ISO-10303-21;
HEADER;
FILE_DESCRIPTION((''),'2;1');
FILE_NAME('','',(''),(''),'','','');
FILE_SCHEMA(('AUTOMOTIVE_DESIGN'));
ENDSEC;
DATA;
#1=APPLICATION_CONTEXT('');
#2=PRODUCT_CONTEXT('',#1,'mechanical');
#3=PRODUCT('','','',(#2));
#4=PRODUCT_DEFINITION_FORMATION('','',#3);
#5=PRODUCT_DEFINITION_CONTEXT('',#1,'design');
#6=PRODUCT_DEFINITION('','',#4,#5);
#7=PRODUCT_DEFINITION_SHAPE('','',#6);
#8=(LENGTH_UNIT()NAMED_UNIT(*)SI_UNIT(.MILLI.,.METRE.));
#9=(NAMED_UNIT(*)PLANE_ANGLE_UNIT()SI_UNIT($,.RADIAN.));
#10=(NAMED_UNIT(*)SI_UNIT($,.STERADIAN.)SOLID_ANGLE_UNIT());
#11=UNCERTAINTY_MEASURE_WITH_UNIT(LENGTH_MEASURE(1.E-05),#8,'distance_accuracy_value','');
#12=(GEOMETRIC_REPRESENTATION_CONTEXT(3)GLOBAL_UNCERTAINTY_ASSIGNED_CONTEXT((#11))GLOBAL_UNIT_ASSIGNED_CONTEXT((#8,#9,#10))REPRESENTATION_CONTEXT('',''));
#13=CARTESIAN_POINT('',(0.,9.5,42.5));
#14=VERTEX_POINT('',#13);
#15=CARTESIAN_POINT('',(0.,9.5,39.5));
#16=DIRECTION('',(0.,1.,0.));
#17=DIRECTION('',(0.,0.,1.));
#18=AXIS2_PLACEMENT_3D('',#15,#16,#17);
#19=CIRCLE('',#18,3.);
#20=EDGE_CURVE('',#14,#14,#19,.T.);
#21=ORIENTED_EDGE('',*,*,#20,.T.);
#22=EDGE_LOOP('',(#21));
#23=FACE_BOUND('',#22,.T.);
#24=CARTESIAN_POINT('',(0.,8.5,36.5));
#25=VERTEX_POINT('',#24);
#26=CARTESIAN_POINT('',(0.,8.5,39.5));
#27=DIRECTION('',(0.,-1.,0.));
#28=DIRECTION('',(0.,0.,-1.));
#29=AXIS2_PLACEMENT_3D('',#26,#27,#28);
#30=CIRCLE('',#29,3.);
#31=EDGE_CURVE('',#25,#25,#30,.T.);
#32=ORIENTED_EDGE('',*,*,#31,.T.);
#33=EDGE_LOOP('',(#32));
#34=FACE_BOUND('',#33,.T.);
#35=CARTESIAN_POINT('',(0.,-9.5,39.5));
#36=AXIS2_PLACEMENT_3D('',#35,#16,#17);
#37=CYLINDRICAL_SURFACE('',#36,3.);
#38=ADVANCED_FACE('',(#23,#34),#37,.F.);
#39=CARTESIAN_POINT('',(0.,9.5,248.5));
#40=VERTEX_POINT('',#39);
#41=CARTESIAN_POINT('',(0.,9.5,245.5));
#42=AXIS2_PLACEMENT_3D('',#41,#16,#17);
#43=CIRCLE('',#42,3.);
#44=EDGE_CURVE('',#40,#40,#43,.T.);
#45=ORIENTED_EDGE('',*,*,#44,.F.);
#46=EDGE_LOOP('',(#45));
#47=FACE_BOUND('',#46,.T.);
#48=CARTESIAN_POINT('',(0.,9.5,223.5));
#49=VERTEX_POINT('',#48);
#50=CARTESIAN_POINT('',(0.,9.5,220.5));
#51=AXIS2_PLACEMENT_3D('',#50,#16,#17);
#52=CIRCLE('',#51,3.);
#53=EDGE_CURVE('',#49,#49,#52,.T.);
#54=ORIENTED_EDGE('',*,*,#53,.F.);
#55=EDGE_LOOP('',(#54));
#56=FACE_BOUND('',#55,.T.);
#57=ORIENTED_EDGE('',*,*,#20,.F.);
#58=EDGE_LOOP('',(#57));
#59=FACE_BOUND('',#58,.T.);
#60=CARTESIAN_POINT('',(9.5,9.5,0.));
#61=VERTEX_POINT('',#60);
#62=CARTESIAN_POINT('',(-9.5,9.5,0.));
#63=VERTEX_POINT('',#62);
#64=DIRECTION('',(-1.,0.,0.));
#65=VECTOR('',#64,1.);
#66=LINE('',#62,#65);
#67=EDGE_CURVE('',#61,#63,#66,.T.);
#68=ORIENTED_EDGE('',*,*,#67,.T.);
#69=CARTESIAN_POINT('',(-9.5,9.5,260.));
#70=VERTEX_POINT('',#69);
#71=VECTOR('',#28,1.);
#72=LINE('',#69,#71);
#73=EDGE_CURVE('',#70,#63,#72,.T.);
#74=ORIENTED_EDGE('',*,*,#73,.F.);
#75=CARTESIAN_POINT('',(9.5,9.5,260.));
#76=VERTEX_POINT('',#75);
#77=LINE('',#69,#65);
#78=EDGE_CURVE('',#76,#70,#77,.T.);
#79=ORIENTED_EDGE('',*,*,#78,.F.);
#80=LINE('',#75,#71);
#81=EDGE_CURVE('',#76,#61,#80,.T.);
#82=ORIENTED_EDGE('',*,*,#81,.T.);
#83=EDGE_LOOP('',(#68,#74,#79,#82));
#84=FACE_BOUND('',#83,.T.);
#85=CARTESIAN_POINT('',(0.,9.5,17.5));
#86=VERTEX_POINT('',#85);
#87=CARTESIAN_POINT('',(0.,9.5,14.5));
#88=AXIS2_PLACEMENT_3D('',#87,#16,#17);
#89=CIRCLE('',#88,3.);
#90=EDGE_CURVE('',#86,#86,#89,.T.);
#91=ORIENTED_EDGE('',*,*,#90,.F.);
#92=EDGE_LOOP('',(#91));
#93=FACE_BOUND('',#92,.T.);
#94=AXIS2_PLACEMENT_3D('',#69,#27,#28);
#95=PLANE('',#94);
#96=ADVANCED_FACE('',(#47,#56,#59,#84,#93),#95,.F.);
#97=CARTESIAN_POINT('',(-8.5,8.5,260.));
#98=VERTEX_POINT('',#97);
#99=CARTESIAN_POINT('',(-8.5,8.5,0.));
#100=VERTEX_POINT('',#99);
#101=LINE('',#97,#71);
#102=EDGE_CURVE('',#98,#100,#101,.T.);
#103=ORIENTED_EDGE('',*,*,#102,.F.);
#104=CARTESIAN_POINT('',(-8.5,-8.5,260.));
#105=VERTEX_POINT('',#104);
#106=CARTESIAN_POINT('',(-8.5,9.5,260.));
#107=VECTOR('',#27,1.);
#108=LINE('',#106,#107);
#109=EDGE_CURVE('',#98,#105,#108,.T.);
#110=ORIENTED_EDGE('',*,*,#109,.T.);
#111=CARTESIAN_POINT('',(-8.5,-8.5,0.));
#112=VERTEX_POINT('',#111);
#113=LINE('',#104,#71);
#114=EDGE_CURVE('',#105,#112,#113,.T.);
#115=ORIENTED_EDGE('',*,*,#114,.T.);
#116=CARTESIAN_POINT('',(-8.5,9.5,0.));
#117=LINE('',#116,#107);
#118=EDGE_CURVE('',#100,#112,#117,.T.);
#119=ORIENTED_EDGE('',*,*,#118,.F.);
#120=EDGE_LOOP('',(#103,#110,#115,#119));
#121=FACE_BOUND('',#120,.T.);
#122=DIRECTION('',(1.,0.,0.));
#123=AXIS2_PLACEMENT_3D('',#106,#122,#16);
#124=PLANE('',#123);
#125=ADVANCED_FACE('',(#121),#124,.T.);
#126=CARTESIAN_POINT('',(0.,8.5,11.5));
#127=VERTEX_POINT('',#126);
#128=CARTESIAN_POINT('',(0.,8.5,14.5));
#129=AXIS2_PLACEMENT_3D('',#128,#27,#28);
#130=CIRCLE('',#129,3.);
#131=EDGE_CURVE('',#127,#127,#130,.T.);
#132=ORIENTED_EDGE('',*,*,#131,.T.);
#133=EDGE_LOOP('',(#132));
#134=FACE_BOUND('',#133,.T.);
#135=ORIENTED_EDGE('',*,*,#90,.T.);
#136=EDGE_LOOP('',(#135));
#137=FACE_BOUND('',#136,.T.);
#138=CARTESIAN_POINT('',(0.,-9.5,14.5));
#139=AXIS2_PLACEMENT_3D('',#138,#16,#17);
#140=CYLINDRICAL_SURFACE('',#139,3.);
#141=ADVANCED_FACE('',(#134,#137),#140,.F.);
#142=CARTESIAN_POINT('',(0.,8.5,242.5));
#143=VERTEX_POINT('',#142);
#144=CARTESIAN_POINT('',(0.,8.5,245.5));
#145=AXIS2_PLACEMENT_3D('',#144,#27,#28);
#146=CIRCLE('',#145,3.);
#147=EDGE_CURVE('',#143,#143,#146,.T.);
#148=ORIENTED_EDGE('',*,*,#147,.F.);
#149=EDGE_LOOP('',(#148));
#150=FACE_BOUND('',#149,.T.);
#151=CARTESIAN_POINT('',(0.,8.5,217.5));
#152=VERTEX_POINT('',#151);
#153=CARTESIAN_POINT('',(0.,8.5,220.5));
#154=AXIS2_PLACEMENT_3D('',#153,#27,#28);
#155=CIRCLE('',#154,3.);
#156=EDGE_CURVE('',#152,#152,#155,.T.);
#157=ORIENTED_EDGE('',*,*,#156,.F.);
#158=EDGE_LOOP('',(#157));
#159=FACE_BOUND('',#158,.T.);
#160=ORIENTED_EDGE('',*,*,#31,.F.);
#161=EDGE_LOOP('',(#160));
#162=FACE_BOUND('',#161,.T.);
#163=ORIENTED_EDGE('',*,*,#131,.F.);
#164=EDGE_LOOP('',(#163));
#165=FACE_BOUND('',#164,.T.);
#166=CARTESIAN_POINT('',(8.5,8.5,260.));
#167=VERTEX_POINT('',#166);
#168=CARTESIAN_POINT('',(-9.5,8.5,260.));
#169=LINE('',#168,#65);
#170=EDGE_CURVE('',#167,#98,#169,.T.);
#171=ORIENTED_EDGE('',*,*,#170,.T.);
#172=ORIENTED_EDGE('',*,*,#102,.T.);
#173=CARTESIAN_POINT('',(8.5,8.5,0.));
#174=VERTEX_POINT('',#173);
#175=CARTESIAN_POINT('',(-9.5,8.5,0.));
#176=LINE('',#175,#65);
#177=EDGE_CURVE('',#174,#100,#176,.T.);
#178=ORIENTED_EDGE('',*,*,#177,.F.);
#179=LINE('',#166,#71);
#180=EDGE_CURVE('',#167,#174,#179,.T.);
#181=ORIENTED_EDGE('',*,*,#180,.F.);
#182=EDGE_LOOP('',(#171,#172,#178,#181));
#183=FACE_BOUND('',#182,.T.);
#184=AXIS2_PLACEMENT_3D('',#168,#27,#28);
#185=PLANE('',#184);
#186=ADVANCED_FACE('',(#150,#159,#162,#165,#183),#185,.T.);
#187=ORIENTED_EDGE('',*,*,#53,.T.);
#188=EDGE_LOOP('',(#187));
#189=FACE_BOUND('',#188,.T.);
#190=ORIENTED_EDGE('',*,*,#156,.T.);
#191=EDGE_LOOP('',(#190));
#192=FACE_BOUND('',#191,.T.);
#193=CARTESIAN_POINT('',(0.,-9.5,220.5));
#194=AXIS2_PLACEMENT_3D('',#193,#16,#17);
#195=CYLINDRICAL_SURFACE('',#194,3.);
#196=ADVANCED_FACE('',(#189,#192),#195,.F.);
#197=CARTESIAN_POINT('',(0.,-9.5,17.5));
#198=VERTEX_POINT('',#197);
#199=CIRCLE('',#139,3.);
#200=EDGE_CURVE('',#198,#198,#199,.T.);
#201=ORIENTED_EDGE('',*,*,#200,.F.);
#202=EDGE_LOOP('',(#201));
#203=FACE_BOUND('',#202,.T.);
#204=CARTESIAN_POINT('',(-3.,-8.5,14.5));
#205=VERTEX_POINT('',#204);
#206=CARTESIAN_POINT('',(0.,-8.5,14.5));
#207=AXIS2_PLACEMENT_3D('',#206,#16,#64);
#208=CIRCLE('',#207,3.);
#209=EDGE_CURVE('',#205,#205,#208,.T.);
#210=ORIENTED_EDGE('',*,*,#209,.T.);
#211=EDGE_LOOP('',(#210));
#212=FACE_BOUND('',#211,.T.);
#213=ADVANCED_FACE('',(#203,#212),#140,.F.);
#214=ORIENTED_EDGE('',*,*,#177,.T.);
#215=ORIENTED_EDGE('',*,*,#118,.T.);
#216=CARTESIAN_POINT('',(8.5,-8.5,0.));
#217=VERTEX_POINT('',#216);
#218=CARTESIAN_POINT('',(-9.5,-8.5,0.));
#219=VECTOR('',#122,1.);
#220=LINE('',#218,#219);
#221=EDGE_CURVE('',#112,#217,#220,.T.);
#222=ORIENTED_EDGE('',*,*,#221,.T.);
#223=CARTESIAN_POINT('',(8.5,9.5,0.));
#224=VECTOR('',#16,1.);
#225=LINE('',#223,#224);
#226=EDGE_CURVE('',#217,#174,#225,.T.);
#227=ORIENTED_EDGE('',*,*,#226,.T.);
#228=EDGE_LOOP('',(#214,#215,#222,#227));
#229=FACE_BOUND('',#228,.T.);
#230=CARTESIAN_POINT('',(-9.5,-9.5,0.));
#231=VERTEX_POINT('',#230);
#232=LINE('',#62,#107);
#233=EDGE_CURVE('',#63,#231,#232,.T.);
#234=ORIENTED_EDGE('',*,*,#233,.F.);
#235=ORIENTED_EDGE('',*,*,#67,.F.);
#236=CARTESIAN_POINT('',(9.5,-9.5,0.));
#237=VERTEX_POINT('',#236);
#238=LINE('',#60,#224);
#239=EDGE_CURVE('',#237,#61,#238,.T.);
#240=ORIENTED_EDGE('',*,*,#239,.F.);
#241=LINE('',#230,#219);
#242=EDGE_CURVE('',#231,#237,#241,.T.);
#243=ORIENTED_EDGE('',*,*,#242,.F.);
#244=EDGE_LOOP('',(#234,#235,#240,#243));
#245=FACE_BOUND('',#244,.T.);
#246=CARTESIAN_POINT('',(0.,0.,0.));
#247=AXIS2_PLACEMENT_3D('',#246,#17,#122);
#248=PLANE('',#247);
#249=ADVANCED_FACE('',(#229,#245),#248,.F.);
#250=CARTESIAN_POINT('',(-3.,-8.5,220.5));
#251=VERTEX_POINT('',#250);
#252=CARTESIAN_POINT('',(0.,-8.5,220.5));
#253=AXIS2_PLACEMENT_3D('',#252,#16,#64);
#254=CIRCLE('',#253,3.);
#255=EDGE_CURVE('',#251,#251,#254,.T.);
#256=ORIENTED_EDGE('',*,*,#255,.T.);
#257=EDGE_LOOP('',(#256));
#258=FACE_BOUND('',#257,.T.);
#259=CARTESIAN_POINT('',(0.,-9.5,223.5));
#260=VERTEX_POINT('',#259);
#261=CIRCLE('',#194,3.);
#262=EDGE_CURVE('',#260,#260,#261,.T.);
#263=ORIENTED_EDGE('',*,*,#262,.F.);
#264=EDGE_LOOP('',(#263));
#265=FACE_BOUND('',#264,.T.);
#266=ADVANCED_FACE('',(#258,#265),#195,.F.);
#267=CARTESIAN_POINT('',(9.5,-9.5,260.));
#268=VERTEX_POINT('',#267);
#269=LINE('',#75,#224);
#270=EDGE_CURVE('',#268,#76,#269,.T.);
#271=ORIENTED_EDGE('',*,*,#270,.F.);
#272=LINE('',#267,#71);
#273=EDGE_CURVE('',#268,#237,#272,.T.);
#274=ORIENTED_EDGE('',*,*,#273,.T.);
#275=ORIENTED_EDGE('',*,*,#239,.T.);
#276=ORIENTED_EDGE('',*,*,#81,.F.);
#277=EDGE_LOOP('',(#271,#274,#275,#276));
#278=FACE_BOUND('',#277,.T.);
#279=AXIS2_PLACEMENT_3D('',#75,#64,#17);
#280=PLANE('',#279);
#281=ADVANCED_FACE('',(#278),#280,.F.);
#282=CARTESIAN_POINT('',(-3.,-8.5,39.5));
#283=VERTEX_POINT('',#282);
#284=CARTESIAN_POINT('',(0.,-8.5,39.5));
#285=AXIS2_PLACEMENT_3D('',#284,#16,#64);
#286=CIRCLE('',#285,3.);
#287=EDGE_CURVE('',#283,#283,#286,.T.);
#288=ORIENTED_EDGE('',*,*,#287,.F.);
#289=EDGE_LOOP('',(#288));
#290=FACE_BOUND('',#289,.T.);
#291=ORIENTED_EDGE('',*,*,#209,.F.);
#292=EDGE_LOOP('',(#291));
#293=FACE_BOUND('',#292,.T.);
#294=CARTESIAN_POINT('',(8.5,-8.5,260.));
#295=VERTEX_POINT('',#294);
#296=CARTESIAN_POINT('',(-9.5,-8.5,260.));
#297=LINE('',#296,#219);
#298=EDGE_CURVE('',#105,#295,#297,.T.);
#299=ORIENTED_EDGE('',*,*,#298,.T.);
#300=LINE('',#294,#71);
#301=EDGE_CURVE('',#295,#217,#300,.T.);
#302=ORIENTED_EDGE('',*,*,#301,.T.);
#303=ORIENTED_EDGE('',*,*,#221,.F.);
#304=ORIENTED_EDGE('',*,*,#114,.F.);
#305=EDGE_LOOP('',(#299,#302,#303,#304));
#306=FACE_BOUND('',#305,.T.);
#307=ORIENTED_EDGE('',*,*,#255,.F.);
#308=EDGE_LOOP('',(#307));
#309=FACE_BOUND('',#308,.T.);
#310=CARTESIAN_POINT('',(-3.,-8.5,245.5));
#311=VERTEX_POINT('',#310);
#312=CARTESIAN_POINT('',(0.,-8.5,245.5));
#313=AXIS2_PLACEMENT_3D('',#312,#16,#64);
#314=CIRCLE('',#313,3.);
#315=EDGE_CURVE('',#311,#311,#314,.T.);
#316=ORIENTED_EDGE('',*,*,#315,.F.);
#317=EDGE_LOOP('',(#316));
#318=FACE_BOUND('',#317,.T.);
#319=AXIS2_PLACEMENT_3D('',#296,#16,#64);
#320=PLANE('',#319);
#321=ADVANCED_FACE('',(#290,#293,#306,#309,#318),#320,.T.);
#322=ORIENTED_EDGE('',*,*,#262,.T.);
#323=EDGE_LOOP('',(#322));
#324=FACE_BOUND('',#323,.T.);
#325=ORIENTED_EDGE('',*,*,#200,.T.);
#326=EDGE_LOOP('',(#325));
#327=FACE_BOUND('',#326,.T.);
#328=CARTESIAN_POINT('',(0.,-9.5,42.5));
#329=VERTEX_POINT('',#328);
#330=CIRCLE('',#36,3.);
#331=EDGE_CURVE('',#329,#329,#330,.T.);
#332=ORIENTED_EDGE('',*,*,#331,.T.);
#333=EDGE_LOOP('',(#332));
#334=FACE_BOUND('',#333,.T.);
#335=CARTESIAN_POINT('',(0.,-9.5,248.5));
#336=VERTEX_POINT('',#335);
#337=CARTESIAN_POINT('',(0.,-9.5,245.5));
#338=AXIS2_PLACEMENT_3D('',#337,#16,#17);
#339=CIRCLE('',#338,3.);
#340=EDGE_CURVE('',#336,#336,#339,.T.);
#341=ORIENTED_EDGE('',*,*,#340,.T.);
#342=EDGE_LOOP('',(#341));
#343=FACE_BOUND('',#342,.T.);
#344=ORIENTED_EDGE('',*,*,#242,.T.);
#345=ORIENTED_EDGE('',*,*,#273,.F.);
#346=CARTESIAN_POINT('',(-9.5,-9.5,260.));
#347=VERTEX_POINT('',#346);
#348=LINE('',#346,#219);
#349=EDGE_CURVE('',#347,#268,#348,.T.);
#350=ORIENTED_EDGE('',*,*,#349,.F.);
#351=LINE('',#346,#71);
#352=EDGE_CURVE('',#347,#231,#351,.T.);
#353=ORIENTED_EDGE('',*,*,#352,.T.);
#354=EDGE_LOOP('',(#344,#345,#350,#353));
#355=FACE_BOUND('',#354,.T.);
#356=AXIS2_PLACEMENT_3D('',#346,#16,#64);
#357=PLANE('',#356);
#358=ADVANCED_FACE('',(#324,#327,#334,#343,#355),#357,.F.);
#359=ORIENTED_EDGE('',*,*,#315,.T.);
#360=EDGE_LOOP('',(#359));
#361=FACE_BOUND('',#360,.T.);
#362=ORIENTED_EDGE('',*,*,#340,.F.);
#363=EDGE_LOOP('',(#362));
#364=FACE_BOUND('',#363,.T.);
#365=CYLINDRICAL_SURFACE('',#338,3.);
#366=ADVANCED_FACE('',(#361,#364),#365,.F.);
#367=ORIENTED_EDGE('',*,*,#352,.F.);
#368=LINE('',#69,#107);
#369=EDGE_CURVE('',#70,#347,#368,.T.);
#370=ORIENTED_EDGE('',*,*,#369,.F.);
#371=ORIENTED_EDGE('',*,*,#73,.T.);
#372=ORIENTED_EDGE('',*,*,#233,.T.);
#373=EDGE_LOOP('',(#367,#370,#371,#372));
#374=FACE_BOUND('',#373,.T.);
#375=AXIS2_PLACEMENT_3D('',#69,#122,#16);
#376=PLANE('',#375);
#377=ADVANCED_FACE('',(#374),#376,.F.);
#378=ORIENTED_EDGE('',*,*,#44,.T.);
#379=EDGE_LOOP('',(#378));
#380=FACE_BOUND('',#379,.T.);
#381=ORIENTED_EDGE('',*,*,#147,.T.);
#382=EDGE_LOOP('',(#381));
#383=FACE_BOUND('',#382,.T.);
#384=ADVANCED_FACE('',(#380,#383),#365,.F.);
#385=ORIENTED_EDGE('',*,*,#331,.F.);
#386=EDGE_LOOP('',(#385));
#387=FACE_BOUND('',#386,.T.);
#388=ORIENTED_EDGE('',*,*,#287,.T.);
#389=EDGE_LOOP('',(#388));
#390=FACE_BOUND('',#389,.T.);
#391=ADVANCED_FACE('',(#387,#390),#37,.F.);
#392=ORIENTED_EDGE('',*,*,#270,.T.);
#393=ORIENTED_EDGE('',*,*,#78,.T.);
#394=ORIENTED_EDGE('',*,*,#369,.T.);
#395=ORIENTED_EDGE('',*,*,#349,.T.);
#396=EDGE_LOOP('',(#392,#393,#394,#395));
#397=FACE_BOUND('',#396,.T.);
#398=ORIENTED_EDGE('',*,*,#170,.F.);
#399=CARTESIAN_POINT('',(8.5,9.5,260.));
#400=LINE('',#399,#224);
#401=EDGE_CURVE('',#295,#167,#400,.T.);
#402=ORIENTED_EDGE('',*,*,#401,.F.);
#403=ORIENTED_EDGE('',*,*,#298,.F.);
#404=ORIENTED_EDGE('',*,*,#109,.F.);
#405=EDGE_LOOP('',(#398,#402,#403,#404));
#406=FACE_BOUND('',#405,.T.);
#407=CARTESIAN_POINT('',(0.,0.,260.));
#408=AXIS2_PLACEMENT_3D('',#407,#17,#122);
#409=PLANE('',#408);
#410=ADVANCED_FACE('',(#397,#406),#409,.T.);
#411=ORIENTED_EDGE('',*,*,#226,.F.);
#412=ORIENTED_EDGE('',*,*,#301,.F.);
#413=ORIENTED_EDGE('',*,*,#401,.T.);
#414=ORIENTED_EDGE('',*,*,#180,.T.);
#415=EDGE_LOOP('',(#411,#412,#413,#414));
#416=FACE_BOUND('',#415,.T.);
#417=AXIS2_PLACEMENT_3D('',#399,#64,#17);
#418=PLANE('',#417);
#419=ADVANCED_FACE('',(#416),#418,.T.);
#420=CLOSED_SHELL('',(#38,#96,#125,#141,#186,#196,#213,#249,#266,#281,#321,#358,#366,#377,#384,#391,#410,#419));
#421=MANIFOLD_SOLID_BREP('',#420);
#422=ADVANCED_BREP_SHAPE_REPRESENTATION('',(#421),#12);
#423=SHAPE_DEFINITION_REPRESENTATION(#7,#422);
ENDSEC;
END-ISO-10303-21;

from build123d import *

# Parameters (mm, degrees)
ESBO_O1_W                = 19
ESBO_O1_H                = 19
RESSALTO_EXTRUS_O1_DEPTH = 260
CASCA2_T                 = -1
ESBO_O2_R                = 3
CORTE_EXTRUS_O1_DEPTH    = 20


with BuildPart() as part:
    # Esboço1 → Ressalto-extrusão1 (new body)
    with BuildSketch(Plane.XY):
        Rectangle(ESBO_O1_W, ESBO_O1_H)
    extrude(amount=RESSALTO_EXTRUS_O1_DEPTH)

    # Casca2
    casca2_openings = [part.faces().sort_by_distance(p)[0] for p in [
        (0, 0, 260),
        (0, 0, 0),
    ]]
    offset(amount=CASCA2_T, openings=casca2_openings, kind=Kind.INTERSECTION)

    # Esboço2 → Corte-extrusão1 (cut, through all)
    with BuildSketch(Plane(origin=(0, 9.5, 0), x_dir=(1, 0, 0), z_dir=(0, 1, 0))):
        with Locations((0, -220.5)):
            Circle(ESBO_O2_R)
        with Locations((0, -245.5)):
            Circle(ESBO_O2_R)
        with Locations((0, -14.5)):
            Circle(ESBO_O2_R)
        with Locations((0, -39.5)):
            Circle(ESBO_O2_R)
    extrude(amount=-CORTE_EXTRUS_O1_DEPTH, mode=Mode.SUBTRACT)


solid = part.part
